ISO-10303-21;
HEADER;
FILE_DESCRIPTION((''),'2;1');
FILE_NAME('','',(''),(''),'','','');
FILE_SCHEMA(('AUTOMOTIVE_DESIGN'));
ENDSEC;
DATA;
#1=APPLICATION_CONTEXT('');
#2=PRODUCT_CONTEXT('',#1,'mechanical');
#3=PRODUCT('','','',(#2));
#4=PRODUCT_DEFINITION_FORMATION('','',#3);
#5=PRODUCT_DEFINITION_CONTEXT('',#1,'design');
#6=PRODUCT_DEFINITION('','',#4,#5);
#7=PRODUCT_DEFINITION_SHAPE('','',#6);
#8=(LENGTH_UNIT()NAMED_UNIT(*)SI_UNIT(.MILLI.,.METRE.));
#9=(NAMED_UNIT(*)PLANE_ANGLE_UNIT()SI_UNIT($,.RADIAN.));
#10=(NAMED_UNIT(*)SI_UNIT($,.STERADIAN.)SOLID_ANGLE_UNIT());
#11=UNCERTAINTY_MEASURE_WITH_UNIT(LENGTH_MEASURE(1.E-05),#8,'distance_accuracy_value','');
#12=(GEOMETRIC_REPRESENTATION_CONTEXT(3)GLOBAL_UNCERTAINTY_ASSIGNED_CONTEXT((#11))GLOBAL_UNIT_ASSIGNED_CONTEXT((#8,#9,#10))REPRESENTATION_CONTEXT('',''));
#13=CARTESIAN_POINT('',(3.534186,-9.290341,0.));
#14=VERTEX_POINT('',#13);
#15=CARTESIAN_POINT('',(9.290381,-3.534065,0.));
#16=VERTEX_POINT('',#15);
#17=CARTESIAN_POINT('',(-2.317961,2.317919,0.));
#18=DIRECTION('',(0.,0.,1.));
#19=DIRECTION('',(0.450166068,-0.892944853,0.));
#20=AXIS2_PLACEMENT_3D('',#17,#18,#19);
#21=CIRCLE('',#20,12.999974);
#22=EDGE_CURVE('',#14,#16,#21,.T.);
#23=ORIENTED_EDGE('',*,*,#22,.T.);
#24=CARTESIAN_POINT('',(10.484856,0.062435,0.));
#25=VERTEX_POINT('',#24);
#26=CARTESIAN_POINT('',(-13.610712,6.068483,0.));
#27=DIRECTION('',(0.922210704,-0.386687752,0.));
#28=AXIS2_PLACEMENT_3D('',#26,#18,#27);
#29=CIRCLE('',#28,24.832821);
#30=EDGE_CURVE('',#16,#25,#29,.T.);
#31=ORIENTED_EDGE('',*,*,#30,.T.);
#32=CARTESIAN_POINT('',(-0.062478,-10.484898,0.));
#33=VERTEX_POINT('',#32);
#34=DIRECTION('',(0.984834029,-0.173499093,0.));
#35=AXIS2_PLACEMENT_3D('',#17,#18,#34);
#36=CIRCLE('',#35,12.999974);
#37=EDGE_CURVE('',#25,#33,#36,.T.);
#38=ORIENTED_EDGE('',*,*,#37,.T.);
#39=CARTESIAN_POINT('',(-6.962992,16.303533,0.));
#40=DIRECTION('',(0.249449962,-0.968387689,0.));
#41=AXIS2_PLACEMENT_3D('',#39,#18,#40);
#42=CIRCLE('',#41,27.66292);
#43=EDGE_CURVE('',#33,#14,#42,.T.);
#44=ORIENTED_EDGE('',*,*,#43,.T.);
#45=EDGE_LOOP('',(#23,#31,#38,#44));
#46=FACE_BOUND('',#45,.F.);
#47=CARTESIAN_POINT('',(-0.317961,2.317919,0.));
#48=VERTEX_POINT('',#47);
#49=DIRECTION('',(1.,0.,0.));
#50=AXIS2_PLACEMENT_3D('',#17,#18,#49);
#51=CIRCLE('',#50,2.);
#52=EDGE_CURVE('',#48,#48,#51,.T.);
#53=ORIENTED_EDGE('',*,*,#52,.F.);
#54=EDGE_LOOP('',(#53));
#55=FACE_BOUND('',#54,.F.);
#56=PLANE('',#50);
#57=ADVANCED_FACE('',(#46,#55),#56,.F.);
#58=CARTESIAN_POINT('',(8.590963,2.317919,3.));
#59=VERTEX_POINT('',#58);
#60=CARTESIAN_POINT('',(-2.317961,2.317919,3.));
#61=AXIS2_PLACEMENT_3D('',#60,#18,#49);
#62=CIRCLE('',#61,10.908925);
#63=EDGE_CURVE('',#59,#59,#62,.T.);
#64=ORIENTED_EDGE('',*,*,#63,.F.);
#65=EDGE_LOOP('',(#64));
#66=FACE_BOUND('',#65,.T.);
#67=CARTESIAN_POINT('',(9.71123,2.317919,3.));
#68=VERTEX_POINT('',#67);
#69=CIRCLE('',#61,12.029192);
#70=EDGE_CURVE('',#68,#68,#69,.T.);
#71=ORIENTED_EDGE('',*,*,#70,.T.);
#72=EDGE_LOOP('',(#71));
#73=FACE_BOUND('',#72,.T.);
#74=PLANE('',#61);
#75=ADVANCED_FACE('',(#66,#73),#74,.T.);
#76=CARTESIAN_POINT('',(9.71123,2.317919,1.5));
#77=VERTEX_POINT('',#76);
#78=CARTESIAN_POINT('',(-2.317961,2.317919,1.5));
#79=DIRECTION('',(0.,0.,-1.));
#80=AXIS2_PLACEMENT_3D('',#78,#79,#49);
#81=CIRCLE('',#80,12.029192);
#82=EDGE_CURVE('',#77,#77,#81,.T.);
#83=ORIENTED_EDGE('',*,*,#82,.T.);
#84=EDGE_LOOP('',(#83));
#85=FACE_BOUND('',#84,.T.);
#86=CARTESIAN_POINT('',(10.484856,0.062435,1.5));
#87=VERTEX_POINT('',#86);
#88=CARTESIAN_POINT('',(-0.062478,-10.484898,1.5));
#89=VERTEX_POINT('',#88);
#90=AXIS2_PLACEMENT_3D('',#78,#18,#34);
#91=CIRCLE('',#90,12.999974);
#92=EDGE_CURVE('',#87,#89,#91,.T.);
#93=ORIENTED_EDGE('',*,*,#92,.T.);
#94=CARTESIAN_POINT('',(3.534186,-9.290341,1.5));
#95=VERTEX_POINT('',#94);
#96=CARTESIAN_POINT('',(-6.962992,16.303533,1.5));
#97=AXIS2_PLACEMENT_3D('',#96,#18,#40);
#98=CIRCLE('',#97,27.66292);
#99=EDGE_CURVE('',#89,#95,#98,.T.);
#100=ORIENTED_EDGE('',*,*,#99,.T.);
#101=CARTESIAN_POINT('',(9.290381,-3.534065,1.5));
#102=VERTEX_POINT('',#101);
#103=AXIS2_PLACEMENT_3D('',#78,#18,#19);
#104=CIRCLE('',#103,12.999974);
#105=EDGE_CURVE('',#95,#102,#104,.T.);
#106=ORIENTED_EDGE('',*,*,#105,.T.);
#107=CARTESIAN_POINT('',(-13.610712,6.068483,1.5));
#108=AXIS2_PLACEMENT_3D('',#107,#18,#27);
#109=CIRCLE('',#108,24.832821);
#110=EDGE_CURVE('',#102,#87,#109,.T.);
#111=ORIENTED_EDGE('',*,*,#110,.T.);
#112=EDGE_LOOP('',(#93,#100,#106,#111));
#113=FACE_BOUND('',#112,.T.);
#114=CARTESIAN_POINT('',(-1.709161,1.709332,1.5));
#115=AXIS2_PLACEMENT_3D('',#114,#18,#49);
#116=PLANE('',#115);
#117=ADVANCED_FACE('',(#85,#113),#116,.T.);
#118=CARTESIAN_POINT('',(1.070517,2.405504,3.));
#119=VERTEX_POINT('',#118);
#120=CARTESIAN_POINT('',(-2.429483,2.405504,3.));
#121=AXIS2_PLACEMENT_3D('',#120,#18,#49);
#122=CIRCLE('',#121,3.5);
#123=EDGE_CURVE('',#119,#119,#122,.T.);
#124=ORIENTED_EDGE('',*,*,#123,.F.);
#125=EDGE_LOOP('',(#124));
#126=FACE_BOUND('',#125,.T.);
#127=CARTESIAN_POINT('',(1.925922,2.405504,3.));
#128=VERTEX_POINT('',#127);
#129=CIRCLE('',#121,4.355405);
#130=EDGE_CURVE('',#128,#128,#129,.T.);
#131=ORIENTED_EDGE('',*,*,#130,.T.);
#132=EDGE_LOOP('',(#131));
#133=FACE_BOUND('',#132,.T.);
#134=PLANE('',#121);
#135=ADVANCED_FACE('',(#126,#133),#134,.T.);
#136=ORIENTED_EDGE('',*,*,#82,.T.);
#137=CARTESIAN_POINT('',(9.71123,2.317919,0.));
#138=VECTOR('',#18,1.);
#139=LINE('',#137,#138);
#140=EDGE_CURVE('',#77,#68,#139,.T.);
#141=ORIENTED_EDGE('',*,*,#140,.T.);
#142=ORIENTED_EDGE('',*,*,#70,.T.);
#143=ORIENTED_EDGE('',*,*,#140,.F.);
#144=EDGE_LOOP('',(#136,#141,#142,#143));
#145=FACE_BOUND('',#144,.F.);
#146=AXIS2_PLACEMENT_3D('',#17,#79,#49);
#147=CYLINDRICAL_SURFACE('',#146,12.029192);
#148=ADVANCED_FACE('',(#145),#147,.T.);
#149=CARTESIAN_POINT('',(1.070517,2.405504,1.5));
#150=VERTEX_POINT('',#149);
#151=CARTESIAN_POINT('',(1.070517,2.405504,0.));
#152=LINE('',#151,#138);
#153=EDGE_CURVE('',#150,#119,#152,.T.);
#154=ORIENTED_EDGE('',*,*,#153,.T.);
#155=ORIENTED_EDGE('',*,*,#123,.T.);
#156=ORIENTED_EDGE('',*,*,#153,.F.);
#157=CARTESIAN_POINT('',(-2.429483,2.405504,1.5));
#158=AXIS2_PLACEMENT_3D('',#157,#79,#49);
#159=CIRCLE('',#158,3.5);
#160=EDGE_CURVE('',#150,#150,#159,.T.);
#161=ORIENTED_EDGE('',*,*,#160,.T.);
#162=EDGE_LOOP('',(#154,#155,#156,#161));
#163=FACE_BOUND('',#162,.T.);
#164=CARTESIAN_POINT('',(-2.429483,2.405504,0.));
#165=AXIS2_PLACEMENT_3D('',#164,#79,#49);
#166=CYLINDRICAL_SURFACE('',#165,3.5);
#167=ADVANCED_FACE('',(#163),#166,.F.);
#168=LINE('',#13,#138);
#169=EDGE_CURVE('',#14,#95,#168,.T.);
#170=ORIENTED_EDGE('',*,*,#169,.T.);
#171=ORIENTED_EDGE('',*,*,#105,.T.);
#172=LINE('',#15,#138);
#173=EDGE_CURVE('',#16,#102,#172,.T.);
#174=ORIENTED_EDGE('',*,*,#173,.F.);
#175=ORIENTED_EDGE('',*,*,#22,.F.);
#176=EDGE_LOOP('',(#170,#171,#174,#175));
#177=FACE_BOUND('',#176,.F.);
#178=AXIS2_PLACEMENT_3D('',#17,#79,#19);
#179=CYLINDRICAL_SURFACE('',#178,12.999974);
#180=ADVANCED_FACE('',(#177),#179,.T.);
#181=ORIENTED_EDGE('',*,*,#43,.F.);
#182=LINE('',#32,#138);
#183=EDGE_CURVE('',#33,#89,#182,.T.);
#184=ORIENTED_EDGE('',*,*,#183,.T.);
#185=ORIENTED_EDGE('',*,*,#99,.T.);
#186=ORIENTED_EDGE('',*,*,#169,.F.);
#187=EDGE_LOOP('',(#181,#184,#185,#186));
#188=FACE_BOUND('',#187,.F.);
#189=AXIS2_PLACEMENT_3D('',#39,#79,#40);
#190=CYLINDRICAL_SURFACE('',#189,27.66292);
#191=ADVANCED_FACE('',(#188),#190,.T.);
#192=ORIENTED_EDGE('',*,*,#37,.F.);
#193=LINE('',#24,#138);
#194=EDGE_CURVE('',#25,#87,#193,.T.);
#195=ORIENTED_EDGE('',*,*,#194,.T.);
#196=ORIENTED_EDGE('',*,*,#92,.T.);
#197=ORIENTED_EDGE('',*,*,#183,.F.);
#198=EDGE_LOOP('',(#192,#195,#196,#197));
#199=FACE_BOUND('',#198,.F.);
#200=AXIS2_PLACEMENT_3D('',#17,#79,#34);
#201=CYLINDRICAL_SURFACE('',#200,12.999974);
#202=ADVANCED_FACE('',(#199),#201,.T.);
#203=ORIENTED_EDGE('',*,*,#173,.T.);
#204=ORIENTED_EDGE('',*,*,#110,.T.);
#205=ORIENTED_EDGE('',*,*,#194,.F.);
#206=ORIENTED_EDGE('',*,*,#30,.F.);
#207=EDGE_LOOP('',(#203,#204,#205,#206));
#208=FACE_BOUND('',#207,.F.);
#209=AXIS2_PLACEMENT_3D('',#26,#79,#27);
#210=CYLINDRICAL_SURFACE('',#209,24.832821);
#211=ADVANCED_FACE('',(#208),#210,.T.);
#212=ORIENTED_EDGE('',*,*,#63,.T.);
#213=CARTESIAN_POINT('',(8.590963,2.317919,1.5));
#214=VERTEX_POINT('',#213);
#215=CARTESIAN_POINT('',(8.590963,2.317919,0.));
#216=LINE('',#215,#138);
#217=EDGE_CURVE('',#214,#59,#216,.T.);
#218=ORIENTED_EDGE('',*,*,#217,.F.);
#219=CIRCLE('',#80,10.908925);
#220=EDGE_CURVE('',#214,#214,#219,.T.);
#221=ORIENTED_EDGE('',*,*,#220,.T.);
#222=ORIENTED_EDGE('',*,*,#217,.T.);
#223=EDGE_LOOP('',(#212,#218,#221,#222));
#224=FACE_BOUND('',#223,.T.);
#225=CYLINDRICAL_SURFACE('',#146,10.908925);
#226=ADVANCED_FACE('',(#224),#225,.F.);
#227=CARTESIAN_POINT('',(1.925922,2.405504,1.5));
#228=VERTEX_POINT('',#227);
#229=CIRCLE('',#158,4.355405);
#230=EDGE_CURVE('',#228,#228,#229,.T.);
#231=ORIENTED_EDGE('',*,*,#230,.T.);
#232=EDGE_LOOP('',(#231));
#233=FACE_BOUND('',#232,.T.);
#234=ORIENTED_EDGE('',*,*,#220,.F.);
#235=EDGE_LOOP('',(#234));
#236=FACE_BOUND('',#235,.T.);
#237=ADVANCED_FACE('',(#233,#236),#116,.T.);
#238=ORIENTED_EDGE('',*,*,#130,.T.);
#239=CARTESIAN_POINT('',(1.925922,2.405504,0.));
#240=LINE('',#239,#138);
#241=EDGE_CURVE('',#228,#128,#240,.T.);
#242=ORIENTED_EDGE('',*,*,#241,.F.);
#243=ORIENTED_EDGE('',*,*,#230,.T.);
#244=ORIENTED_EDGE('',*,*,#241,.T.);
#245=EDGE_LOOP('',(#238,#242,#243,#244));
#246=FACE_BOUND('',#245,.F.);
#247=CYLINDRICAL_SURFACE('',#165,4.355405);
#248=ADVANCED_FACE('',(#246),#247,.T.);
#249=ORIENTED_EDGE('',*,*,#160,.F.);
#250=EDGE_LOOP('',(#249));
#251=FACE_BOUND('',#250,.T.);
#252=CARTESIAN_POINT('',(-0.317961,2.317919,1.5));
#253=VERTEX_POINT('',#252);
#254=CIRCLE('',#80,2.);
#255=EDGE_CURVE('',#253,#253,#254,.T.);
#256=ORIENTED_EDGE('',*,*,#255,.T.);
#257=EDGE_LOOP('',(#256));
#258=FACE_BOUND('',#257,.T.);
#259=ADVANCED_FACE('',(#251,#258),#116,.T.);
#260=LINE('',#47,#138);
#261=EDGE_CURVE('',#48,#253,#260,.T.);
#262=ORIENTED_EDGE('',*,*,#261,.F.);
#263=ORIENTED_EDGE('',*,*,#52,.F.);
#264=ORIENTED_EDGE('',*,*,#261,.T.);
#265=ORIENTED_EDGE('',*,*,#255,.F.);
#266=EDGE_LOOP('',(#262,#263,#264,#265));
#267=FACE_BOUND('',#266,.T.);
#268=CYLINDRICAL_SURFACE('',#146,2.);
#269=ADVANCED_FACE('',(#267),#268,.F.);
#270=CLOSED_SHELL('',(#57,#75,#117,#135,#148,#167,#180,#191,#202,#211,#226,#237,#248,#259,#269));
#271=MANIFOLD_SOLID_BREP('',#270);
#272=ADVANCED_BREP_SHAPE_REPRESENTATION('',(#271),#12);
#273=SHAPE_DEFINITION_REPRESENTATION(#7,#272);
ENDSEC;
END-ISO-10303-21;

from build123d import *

# Parameters (mm, degrees)
F0_R     = 12.0291917003
F0_R_2   = 10.9089247003
F0_R_3   = 10
F0_R_4   = 4.355405347
F0_R_5   = 3.5
F0_R_6   = 2
F1_DEPTH = 1.5
F2_DEPTH = 3
F3_DEPTH = 25.4


with BuildPart() as f1:
    # F0 (on Top) → F1 (new body)
    with BuildSketch(Plane.XY):
        with BuildLine():
            ThreePointArc((9.2903810009, -3.5340649529), (9.956324904, -1.7586338449), (10.4848555288, 0.062435149))
            ThreePointArc((10.4848555288, 0.062435149), (-11.5103310146, 11.5102886119), (-0.0624775516, -10.4848979314))
            ThreePointArc((-0.0624775516, -10.4848979314), (1.7563351899, -9.9492852383), (3.5341859381, -9.2903410352))
            ThreePointArc((3.5341859381, -9.2903410352), (6.8744732182, -6.8743862374), (9.2903810009, -3.5340649529))
        make_face()
        with Locations((-2.3179612439, 2.3179188413)):
            Circle(F0_R, mode=Mode.SUBTRACT)
        with Locations((-2.3179612439, 2.3179188413)):
            Circle(F0_R)
        with Locations((-2.3179612439, 2.3179188413)):
            Circle(F0_R_2, mode=Mode.SUBTRACT)
        with Locations((-2.3179612439, 2.3179188413)):
            Circle(F0_R_2)
        with Locations((-2.4294834584, 2.4055044632)):
            Circle(F0_R_3, mode=Mode.SUBTRACT)
        with Locations((-2.4294834584, 2.4055044632)):
            Circle(F0_R_3)
        with Locations((-2.4294834584, 2.4055044632)):
            Circle(F0_R_4, mode=Mode.SUBTRACT)
        with Locations((-2.4294834584, 2.4055044632)):
            Circle(F0_R_4)
        with Locations((-2.4294834584, 2.4055044632)):
            Circle(F0_R_5, mode=Mode.SUBTRACT)
        with Locations((-2.4294834584, 2.4055044632)):
            Circle(F0_R_5)
        with Locations((-2.3179612439, 2.3179188413)):
            Circle(F0_R_6, mode=Mode.SUBTRACT)
        with Locations((-2.3179612439, 2.3179188413)):
            Circle(F0_R_6)
    extrude(amount=F1_DEPTH)

    # F0 (on Top) → F2 (join)
    with BuildSketch(Plane.XY):
        with Locations((-2.3179612439, 2.3179188413)):
            Circle(F0_R)
        with Locations((-2.3179612439, 2.3179188413)):
            Circle(F0_R_2, mode=Mode.SUBTRACT)
        with Locations((-2.4294834584, 2.4055044632)):
            Circle(F0_R_4)
        with Locations((-2.4294834584, 2.4055044632)):
            Circle(F0_R_5, mode=Mode.SUBTRACT)
    extrude(amount=F2_DEPTH)

    # F0 (on Top) → F3 (cut)
    with BuildSketch(Plane.XY):
        with Locations((-2.3179612439, 2.3179188413)):
            Circle(F0_R_6)
    extrude(amount=F3_DEPTH, mode=Mode.SUBTRACT)


solid = f1.part
